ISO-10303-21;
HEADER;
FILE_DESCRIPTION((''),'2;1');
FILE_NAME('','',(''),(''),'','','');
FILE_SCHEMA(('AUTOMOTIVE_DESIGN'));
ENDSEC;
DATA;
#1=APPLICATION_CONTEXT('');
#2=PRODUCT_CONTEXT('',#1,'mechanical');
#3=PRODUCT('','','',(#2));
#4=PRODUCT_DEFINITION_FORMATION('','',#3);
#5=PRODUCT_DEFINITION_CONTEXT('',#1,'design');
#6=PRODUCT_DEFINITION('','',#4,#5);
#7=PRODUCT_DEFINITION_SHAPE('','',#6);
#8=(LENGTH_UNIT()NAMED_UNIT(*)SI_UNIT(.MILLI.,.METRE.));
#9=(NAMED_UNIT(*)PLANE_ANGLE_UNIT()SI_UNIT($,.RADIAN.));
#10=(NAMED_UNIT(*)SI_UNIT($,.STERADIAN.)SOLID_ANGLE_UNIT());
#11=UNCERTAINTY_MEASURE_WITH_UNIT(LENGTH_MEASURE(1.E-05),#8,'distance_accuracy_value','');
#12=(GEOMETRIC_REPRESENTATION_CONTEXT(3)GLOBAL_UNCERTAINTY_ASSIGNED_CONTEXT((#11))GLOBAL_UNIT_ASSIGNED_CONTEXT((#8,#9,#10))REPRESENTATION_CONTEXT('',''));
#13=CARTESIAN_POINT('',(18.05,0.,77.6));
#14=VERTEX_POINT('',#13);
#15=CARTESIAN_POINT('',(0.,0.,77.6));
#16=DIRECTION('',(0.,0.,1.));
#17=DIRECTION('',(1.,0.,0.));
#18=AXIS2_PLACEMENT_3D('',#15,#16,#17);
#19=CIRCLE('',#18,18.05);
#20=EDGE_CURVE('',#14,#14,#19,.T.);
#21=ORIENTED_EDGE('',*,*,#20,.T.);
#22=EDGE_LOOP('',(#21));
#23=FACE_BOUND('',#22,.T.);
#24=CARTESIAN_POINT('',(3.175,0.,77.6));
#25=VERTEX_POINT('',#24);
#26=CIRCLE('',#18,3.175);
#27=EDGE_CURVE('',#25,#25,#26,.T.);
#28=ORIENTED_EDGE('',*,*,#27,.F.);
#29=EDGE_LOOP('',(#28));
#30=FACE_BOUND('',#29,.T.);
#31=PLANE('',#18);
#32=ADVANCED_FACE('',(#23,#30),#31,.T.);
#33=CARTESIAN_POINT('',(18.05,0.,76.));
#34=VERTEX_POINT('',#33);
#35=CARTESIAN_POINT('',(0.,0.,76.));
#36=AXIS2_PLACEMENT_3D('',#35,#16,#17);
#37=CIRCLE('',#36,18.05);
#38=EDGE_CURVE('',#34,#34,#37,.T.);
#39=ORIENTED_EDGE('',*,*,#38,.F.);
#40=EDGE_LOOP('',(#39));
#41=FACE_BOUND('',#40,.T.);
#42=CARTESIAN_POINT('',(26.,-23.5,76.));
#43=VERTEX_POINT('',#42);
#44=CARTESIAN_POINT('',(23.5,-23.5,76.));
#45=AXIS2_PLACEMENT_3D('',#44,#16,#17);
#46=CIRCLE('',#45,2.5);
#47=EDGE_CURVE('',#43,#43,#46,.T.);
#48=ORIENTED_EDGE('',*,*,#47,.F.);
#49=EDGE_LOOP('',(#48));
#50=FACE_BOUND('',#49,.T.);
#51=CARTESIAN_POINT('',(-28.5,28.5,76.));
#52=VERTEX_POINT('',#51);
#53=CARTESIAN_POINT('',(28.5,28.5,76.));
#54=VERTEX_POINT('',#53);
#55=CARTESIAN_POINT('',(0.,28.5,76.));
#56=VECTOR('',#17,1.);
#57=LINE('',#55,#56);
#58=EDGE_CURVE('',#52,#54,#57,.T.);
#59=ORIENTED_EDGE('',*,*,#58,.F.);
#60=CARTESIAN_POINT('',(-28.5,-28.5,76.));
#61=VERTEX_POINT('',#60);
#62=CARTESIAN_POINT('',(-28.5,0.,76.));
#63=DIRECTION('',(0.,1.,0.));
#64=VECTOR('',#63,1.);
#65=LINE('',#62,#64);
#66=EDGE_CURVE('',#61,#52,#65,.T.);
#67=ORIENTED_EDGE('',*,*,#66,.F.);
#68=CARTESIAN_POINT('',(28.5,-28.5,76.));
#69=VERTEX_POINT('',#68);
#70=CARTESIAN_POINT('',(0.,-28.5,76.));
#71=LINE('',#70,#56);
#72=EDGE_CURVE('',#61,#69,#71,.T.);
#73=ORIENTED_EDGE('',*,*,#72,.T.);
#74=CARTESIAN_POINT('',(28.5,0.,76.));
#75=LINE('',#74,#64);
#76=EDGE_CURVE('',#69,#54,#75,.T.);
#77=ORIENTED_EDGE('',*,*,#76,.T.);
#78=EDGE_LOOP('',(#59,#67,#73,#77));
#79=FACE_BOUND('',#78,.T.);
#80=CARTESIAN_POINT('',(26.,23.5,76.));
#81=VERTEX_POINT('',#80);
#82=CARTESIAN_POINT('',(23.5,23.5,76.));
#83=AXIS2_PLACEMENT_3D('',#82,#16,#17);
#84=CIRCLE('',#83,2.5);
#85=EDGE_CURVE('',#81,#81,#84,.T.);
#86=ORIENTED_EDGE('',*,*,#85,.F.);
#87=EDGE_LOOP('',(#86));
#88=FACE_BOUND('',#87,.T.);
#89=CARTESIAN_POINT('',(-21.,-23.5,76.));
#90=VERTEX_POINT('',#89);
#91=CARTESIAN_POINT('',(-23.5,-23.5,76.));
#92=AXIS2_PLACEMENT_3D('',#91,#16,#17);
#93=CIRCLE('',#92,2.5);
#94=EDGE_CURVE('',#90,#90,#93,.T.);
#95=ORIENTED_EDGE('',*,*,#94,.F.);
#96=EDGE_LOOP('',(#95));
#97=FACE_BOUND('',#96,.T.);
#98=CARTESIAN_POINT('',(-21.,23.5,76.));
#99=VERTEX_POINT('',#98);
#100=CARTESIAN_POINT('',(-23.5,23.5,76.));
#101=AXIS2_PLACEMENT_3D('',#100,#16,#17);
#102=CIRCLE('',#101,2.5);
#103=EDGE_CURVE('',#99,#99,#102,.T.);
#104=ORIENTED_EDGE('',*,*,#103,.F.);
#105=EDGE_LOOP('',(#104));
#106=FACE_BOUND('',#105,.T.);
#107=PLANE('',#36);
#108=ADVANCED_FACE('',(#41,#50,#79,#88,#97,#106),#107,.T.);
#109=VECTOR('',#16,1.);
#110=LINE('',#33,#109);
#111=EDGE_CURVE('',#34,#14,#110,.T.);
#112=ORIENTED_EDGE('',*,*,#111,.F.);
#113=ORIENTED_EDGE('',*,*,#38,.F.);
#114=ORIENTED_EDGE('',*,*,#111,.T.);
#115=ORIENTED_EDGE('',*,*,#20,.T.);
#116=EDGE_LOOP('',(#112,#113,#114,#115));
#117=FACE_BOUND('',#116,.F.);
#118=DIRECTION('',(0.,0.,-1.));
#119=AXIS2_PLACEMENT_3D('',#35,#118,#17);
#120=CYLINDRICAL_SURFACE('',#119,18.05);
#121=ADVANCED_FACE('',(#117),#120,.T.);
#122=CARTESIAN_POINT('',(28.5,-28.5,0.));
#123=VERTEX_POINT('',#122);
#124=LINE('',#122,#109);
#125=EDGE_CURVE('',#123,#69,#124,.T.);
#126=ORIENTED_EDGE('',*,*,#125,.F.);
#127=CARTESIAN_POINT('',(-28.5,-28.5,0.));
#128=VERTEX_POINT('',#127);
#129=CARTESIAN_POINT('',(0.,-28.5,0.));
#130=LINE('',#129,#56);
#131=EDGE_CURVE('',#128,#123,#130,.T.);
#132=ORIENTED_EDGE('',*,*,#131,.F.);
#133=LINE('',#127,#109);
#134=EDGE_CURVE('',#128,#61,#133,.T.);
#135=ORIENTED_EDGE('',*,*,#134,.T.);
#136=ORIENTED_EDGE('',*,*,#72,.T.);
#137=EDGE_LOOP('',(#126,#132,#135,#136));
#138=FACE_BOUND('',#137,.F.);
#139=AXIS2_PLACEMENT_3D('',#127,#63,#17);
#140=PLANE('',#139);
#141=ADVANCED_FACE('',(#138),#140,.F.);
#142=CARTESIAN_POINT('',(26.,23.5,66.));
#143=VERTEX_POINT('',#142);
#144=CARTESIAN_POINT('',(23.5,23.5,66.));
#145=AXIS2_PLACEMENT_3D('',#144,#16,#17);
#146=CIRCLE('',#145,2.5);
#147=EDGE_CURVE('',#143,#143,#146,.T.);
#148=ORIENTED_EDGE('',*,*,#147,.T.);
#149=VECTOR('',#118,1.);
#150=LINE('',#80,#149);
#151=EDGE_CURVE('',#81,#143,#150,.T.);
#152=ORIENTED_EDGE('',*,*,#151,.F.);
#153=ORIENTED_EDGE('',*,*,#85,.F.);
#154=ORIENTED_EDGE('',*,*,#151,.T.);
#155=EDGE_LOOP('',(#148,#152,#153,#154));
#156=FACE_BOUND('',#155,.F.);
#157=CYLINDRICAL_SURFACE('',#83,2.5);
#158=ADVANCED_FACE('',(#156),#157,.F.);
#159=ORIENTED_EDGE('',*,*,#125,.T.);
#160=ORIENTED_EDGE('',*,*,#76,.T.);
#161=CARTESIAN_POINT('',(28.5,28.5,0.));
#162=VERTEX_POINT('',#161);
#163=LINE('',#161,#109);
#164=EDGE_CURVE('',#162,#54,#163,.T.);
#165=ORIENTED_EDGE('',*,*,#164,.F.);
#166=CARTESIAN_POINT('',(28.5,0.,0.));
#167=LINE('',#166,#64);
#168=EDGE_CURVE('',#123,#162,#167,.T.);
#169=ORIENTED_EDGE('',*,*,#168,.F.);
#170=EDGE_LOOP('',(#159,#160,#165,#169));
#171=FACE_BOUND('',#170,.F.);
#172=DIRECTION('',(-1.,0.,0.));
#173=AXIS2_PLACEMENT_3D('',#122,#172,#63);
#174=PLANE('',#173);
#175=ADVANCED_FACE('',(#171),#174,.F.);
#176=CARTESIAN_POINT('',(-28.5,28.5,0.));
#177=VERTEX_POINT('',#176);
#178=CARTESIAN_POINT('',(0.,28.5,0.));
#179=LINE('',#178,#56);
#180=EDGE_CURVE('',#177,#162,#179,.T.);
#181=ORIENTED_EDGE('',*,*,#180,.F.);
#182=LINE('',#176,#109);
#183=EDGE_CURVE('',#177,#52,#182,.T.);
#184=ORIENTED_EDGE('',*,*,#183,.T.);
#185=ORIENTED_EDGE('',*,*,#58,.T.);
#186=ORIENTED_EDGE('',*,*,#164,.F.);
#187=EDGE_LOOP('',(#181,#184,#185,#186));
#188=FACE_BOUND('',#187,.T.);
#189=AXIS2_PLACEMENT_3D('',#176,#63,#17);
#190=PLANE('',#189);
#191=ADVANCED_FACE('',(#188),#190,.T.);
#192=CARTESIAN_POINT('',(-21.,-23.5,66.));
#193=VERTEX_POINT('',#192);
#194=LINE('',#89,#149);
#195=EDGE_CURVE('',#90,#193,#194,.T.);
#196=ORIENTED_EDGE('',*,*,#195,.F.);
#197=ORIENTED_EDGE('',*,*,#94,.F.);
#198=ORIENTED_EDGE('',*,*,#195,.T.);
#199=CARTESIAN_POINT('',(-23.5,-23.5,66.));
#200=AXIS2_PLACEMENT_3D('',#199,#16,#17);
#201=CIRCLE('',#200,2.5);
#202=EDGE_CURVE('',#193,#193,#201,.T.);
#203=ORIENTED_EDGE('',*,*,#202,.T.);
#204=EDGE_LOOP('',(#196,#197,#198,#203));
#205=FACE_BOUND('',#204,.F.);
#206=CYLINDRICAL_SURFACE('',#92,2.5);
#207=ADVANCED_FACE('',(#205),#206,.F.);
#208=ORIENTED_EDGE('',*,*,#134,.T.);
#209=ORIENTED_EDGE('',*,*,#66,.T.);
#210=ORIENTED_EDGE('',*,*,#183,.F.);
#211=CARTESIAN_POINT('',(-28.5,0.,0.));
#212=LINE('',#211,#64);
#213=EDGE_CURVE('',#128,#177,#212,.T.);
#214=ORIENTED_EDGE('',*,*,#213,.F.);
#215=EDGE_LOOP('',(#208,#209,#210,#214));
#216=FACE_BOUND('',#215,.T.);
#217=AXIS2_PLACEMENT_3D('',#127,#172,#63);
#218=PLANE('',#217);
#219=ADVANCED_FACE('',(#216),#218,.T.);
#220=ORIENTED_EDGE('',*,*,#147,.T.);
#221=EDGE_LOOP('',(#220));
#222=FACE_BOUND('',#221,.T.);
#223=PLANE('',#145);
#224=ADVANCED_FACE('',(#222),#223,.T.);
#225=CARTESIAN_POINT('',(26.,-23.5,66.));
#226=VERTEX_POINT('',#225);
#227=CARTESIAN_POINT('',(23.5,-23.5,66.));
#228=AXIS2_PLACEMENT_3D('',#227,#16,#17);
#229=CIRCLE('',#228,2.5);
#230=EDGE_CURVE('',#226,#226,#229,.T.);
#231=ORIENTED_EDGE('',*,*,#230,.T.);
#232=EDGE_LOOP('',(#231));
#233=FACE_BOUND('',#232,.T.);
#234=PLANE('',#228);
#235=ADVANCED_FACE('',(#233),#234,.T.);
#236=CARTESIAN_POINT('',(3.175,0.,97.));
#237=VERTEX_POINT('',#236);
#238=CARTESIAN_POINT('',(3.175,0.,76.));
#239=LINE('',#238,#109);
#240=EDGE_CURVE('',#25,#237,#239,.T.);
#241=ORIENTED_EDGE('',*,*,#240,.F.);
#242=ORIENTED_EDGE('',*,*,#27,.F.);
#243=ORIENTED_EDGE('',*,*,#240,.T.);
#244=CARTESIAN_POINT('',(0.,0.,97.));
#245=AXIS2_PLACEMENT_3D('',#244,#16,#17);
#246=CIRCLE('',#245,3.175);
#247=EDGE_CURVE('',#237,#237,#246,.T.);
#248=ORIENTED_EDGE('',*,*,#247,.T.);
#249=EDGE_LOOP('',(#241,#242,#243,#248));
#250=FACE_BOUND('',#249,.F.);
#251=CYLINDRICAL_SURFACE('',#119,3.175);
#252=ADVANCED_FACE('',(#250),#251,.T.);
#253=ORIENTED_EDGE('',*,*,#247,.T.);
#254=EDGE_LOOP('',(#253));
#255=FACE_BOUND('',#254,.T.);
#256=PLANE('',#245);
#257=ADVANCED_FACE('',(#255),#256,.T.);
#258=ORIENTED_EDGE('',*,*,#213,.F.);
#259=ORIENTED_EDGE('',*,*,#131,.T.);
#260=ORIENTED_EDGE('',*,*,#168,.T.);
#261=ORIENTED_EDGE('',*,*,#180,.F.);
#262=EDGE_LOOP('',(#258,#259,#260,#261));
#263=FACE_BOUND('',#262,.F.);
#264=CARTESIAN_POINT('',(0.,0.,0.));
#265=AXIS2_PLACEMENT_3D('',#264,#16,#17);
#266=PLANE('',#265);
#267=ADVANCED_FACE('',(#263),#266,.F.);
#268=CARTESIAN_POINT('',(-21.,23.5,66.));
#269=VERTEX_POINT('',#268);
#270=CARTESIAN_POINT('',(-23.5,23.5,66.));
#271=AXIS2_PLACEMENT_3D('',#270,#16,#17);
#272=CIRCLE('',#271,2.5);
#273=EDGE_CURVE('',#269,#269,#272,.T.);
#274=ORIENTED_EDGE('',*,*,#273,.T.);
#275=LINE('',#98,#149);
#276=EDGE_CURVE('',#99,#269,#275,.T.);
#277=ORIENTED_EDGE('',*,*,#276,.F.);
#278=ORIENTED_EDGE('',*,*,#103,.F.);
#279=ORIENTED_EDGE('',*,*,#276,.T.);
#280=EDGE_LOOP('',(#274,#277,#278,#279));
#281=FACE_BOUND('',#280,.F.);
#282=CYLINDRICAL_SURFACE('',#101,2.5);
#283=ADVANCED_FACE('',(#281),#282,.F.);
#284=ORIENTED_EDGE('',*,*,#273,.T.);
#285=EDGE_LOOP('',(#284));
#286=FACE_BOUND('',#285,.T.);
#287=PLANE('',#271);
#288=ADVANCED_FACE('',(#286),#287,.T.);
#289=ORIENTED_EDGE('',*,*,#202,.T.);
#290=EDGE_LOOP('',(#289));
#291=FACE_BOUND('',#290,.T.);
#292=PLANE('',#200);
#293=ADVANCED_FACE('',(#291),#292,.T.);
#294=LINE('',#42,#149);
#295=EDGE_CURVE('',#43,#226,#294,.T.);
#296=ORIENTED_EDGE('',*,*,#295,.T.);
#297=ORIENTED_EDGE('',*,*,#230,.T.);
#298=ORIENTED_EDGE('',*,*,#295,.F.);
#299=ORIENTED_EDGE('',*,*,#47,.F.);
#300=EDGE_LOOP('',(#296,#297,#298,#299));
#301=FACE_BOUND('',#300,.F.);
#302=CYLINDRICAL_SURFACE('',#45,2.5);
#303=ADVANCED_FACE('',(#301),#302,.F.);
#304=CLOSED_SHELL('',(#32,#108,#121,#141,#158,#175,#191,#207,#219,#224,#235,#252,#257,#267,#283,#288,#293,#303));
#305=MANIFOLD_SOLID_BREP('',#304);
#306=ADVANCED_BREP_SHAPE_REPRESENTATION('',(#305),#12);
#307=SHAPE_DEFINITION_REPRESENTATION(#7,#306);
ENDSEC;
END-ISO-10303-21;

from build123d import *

# Parameters (mm, degrees)
F0_W     = 57
F0_H     = 57
F1_DEPTH = 76
F2_R     = 18.05
F2_R_2   = 3.175
F3_DEPTH = 1.6
F4_DEPTH = 21
F5_R     = 2.5
F6_DEPTH = 10


with BuildPart() as f1:
    # F0 (on Top) → F1 (new body)
    with BuildSketch(Plane.XY):
        Rectangle(F0_W, F0_H)
    extrude(amount=F1_DEPTH)

    # F2 (on face) → F3 (join)
    with BuildSketch(Plane.XY.offset(76)):
        Circle(F2_R)
        Circle(F2_R_2, mode=Mode.SUBTRACT)
    extrude(amount=F3_DEPTH)

    # F2 (on face) → F4 (join)
    with BuildSketch(Plane.XY.offset(76)):
        Circle(F2_R_2)
    extrude(amount=F4_DEPTH)

    # F5 (on face) → F6 (cut)
    with BuildSketch(Plane.XY.offset(76)):
        with Locations((-23.5, 23.5)):
            Circle(F5_R)
        with Locations((23.5, 23.5)):
            Circle(F5_R)
        with Locations((23.5, -23.5)):
            Circle(F5_R)
        with Locations((-23.5, -23.5)):
            Circle(F5_R)
    extrude(amount=-F6_DEPTH, mode=Mode.SUBTRACT)


solid = f1.part
